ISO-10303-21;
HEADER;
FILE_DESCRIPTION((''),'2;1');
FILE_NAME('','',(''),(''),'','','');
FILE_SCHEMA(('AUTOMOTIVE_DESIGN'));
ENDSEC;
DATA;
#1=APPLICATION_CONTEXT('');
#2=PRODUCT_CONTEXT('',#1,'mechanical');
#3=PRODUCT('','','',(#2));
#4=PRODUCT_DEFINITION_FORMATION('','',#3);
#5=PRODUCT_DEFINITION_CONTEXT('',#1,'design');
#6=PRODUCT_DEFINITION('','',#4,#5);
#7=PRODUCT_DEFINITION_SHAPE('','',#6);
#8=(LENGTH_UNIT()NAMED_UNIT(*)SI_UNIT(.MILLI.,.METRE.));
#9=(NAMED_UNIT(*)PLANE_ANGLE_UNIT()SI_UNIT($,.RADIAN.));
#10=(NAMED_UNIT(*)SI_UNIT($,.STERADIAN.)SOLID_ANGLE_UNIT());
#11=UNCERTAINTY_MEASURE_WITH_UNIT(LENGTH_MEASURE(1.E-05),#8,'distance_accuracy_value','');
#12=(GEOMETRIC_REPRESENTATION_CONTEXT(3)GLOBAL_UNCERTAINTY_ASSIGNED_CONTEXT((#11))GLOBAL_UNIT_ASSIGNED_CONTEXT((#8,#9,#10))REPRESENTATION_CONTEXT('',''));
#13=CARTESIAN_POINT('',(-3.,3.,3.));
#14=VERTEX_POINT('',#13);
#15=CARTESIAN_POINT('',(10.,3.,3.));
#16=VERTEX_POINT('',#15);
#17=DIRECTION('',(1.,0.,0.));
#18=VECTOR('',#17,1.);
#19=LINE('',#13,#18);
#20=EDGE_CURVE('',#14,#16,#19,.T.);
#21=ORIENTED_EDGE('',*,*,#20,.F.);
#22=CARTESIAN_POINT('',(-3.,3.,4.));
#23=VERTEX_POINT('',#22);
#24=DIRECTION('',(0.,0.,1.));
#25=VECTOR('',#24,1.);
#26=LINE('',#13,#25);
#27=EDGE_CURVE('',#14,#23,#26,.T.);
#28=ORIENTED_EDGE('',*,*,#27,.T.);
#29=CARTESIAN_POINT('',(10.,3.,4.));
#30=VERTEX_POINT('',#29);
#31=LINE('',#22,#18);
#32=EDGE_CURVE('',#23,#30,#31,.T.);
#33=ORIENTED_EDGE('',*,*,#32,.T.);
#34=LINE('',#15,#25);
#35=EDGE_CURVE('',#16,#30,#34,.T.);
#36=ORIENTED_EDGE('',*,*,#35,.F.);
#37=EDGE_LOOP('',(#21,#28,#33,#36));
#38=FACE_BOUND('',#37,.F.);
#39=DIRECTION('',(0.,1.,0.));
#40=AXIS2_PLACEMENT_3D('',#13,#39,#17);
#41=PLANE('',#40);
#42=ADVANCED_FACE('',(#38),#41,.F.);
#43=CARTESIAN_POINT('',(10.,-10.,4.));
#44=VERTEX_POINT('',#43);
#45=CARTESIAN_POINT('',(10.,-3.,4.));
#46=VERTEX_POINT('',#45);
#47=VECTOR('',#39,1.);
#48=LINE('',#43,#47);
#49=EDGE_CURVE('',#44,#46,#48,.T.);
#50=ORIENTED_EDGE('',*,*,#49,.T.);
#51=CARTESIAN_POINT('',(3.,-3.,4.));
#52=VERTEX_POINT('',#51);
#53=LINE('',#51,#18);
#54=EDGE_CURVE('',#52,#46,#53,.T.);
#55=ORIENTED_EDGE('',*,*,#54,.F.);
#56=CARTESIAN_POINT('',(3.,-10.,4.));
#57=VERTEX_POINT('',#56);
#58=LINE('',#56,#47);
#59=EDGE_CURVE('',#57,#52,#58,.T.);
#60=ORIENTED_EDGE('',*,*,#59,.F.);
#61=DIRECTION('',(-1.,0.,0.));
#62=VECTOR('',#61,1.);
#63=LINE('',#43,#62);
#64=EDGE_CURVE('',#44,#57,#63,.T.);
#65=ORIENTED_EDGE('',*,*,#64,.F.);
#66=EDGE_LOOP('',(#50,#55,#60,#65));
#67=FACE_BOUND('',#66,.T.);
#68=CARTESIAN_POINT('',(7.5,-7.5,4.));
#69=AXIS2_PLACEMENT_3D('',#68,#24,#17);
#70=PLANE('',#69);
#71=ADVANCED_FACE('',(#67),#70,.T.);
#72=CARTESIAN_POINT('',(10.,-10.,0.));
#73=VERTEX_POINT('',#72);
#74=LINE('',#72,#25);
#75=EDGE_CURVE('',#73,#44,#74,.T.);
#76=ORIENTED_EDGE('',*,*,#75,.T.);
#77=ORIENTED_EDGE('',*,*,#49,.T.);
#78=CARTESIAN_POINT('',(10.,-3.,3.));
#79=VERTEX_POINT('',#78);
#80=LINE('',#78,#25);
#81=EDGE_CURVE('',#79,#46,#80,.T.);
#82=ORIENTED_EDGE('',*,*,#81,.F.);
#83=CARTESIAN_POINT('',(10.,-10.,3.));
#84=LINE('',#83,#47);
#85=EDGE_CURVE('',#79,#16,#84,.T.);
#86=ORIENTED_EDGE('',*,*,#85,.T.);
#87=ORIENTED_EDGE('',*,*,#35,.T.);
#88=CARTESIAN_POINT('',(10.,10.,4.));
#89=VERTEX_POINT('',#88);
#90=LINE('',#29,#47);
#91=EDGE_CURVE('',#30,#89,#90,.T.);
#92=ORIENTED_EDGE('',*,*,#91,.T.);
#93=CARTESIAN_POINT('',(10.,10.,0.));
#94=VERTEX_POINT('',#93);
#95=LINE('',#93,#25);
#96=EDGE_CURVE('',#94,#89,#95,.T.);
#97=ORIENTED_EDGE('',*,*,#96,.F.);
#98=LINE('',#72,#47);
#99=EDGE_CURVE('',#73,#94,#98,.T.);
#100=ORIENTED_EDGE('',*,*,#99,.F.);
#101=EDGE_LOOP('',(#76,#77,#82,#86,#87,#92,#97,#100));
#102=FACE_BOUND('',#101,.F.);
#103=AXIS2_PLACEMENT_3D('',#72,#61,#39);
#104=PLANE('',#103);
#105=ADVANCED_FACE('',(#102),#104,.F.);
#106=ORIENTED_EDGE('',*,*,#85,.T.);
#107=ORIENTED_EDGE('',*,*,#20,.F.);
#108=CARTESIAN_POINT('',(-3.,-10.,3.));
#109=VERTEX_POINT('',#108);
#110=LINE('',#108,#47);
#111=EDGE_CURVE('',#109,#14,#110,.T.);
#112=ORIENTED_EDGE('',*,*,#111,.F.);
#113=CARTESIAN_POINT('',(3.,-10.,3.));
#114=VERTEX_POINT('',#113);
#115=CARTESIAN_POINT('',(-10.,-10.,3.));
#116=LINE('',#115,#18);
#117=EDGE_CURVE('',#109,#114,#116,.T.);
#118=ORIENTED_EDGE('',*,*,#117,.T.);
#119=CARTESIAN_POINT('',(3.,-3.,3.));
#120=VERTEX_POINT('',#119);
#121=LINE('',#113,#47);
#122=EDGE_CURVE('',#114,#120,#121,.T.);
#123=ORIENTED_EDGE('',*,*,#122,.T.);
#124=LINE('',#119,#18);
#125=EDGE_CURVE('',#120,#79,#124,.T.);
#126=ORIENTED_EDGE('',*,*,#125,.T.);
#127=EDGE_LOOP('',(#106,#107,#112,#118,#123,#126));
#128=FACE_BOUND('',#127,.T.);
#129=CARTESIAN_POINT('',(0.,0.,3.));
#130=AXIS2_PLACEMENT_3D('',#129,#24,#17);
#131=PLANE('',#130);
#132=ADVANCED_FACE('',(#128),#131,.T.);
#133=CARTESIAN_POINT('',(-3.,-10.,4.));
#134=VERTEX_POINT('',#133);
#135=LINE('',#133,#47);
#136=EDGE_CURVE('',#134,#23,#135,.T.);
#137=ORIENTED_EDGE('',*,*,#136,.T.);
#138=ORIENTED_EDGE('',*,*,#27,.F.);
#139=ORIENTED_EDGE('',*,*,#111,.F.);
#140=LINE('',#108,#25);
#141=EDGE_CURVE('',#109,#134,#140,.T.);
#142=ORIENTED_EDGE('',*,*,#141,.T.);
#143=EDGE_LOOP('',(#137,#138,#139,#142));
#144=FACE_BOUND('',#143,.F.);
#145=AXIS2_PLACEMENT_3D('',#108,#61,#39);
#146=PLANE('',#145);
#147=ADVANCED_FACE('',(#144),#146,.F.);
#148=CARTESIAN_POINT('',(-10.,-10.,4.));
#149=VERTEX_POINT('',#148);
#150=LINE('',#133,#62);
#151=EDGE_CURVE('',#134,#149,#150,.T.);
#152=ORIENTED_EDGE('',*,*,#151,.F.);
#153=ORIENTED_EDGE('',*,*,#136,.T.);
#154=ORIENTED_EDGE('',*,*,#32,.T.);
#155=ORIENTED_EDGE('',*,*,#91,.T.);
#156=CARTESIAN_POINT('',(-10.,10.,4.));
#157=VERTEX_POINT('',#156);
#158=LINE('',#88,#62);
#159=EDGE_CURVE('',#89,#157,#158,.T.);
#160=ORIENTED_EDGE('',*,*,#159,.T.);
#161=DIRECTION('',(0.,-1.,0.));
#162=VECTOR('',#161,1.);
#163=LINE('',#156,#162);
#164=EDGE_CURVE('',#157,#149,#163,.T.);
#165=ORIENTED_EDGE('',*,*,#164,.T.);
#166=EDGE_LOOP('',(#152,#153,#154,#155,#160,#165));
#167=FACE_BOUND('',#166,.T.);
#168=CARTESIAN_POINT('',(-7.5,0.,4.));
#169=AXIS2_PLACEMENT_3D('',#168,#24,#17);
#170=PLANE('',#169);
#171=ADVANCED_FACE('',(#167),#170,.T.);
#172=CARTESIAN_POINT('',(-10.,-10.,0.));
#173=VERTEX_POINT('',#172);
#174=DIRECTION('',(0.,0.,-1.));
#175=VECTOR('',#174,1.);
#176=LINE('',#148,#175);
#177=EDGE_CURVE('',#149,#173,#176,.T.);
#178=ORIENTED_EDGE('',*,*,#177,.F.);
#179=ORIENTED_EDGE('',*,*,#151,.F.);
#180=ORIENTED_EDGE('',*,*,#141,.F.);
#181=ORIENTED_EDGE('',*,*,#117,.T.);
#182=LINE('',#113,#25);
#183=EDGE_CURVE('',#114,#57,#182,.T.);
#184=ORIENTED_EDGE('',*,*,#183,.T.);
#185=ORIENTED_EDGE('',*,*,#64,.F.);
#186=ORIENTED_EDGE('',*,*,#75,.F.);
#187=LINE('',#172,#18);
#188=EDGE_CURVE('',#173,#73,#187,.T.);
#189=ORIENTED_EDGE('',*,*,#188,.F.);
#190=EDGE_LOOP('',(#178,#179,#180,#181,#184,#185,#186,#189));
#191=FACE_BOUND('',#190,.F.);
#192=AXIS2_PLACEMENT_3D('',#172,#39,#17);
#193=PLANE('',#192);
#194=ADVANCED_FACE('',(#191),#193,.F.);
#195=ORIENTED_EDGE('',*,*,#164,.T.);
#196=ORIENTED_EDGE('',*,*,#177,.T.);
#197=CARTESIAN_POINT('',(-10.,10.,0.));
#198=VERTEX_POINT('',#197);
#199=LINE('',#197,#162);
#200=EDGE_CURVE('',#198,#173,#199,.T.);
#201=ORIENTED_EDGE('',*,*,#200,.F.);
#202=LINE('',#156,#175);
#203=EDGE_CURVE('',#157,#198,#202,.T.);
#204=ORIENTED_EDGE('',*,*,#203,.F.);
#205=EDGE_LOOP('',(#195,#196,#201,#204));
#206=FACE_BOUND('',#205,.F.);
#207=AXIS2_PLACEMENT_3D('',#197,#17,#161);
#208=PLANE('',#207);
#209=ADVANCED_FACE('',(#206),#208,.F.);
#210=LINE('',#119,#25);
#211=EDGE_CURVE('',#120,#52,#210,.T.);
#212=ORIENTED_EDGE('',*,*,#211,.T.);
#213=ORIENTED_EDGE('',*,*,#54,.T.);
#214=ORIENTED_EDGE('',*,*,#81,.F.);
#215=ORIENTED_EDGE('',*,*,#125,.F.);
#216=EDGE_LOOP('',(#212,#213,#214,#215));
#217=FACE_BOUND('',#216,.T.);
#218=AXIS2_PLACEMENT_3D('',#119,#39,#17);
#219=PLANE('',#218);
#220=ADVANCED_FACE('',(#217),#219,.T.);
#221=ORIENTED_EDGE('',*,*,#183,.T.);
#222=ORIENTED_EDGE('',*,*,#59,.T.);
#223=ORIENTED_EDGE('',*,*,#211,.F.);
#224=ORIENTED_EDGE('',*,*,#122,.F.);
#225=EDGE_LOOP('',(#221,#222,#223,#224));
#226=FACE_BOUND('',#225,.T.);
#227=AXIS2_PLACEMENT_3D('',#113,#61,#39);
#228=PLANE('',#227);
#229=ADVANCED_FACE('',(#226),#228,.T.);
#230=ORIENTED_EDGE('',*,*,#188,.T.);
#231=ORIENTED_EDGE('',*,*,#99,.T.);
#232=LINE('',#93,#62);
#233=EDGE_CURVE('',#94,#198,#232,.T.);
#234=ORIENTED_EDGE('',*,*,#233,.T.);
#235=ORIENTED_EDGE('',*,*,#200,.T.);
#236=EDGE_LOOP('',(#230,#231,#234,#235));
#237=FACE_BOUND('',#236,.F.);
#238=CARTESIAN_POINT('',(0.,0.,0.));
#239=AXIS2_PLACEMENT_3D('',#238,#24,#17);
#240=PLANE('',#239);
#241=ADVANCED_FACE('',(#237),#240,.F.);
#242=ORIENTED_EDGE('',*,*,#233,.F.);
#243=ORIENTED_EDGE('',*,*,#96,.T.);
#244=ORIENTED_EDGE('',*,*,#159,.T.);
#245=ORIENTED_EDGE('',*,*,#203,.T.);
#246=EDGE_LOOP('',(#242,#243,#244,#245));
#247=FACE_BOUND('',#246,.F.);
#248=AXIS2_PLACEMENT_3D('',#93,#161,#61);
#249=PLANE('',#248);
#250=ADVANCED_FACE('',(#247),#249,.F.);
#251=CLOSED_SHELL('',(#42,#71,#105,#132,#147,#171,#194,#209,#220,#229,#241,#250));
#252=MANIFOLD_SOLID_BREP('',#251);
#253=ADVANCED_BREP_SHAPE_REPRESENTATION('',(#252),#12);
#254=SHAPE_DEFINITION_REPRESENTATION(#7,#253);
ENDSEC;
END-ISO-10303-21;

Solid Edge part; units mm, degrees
sketch "Sketch1" plane through (0, 0, 0) normal (0, 0, 1) x (1, 0, 0)
  line L0 (-10, -10) -> (10, -10)
  line L1 (10, -10) -> (10, 10)
  line L2 (10, 10) -> (-10, 10)
  line L3 (-10, 10) -> (-10, -10)
extrude "Protrusion1" add sketch "Sketch1" along normal blind 3
sketch "Sketch2" plane through (0, 0, 3) normal (0, 0, 1) x (1, 0, 0)
  line L0 (-10, -10) -> (-5, -10)
  line L1 (-5, -10) -> (-5, 10)
  line L2 (-5, 10) -> (-10, 10)
  line L3 (-10, 10) -> (-10, -10)
extrude "Extrusionsausprägung_2" add sketch "Sketch2" along normal blind 1
sketch "Sketch3" plane through (2.5, 0, 3) normal (0, 0, 1) x (1, 0, 0)
  line L0 (-7.5, 10) -> (7.5, 10)
  line L1 (7.5, 10) -> (7.5, 5)
  line L2 (7.5, 5) -> (-7.5, 5)
  line L3 (-7.5, 5) -> (-7.5, 10)
extrude "Extrusionsausprägung_3" add sketch "Sketch3" along normal blind 1
sketch "Sketch4" plane through (2.5, -2.5, 3) normal (0, 0, 1) x (1, 0, 0)
  line L0 (7.5, -7.5) -> (7.5, -2.5)
  line L1 (7.5, -2.5) -> (2.5, -2.5)
  line L2 (2.5, -2.5) -> (2.5, -7.5)
  line L3 (2.5, -7.5) -> (7.5, -7.5)
extrude "Extrusionsausprägung_4" add sketch "Sketch4" along normal blind 1
sketch "Sketch5" plane through (2.5, -2.5, 3) normal (0, 0, 1) x (1, 0, 0)
  line L0 (2.5, -7.5) -> (1.5, -7.5)
  line L1 (1.5, -7.5) -> (1.5, -2.4982)
  line L2 (1.5, -1.5) -> (1.5, -2.4982)
  line L3 (7.5, -1.5) -> (1.5, -1.5)
  line L4 (7.5, -2.5) -> (7.5, -1.5)
  line L5 (7.5, -2.5) -> (2.5, -2.5)
  line L6 (2.5, -2.5) -> (2.5, -7.5)
extrude "Extrusionsausprägung_5" add sketch "Sketch5" along normal blind 1
sketch "Sketch6" plane through (2.5, -2.5, 3) normal (0, 0, 1) x (1, 0, 0)
  line L0 (-7.5, -7.5) -> (-6.5, -7.5)
  line L1 (-6.5, -7.5) -> (-6.5, 6.5)
  line L2 (-6.5, 6.5) -> (7.5, 6.5)
  line L3 (7.5, 6.5) -> (7.5, 7.5)
  line L4 (7.5, 7.5) -> (-7.5, 7.5)
  line L5 (-7.5, 7.5) -> (-7.5, -7.5)
extrude "Extrusionsausprägung_6" add sketch "Sketch6" along normal blind 1
sketch "Sketch7" plane through (3, -3, 3) normal (0, 0, 1) x (1, 0, 0)
  line L0 (-7, -7) -> (-6, -7)
  line L1 (-6, -7) -> (-6, 6)
  line L2 (-6, 6) -> (7, 6)
  line L3 (7, 6) -> (7, 7)
  line L4 (7, 7) -> (-7, 7)
  line L5 (-7, 7) -> (-7, -7)
extrude "Extrusionsausprägung_7" add sketch "Sketch7" along normal blind 1
sketch "Sketch8" plane through (3.5, -3.5, 3) normal (0, 0, 1) x (1, 0, 0)
  line L0 (0.5, -6.5) -> (-0.5, -6.5)
  line L1 (-0.5, -6.5) -> (-0.5, 0.5)
  line L2 (-0.5, 0.5) -> (6.5, 0.5)
  line L3 (6.5, 0.5) -> (6.5, -0.5)
  line L4 (6.5, -0.5) -> (0.5, -0.5)
  line L5 (0.5, -0.5) -> (0.5, -6.5)
extrude "Extrusionsausprägung_8" add sketch "Sketch8" along normal blind 1
